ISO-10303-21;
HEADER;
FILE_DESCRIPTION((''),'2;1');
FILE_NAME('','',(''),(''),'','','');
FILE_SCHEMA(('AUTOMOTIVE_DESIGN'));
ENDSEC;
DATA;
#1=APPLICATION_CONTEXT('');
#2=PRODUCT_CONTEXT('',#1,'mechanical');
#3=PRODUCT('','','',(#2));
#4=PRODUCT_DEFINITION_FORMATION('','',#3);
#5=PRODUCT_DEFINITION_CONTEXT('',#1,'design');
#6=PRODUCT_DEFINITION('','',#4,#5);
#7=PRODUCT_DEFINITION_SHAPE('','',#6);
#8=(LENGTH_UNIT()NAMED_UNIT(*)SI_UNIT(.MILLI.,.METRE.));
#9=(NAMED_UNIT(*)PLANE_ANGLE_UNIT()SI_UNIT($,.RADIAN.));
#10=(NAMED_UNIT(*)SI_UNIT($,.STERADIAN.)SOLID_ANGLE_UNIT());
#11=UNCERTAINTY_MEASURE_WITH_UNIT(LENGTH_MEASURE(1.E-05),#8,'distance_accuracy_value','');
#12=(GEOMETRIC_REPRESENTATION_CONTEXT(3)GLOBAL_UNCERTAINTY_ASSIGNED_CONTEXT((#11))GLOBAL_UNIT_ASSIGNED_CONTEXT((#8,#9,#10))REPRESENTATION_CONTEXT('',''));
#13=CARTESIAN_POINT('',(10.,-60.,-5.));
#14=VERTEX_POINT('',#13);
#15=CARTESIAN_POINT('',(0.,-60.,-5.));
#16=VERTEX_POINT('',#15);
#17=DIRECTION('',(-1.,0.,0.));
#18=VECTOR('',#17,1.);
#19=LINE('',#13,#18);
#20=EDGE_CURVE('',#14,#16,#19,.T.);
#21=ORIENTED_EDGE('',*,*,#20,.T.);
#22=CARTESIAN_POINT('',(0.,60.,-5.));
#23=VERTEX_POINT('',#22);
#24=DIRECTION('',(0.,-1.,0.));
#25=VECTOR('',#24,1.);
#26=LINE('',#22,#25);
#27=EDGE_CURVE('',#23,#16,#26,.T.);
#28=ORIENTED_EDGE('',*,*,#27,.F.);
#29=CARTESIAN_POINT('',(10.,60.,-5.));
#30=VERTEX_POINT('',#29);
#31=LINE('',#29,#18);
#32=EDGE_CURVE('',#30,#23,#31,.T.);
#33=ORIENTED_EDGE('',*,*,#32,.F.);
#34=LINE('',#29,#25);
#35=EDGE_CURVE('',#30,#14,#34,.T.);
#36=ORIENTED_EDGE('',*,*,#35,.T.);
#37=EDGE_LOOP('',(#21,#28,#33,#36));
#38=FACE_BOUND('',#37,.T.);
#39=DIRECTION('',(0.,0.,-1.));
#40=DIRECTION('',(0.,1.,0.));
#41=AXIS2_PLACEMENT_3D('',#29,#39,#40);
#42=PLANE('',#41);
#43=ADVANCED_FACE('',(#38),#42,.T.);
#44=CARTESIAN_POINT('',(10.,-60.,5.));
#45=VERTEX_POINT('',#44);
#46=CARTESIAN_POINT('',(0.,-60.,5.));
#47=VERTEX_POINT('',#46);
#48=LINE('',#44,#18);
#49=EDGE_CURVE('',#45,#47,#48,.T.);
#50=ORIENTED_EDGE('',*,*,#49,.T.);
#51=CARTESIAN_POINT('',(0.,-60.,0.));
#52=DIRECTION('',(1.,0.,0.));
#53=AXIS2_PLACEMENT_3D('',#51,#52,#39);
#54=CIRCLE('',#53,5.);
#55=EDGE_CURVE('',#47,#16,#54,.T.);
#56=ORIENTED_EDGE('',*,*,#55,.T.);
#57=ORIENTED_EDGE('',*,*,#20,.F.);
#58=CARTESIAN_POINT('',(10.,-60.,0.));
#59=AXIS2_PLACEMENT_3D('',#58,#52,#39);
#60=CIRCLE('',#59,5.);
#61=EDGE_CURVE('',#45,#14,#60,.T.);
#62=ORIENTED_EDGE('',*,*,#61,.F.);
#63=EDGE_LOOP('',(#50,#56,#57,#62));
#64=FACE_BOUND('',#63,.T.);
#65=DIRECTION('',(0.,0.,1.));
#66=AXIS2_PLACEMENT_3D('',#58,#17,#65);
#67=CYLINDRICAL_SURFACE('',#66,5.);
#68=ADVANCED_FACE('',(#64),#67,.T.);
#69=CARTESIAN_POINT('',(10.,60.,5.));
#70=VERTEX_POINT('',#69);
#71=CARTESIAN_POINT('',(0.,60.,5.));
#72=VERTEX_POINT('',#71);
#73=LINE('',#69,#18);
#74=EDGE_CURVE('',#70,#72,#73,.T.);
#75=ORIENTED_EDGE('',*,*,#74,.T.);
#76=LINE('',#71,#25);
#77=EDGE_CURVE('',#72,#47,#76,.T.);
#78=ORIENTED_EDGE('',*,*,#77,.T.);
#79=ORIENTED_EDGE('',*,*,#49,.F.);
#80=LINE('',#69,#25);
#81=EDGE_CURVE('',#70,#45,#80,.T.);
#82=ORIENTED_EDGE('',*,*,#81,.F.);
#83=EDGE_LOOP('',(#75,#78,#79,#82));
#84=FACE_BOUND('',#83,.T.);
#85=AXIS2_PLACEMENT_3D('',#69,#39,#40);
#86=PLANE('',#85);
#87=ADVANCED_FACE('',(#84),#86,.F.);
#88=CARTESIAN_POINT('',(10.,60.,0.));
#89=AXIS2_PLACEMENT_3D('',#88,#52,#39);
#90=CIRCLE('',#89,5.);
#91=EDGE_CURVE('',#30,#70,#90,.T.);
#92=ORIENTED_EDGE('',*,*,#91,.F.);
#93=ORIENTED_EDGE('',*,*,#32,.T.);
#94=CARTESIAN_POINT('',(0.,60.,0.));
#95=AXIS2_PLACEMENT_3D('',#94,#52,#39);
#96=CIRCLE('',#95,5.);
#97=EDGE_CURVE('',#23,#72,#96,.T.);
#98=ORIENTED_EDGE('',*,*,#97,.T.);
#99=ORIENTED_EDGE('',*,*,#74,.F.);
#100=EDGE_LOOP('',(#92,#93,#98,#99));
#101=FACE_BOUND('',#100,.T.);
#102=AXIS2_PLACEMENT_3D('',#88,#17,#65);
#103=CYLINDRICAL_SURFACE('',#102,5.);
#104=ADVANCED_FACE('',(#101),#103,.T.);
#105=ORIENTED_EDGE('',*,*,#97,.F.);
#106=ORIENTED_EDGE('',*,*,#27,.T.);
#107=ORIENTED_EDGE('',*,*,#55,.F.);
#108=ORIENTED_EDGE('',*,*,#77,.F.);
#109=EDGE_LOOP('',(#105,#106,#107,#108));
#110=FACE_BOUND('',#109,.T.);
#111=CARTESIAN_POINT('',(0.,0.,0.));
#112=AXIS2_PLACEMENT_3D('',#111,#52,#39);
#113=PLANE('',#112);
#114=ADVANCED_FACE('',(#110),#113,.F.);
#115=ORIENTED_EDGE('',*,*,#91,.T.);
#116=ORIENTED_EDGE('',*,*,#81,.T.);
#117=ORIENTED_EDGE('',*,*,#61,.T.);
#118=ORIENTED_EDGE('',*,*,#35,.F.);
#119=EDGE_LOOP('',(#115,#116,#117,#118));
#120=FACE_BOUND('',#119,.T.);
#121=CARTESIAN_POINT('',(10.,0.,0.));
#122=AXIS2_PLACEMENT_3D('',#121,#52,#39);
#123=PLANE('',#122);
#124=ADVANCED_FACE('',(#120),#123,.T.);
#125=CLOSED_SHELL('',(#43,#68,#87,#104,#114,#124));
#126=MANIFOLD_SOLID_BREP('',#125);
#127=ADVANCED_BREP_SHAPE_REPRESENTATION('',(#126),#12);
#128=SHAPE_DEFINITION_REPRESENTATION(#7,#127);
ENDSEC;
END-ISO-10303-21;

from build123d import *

# Parameters (mm, degrees)
SKETCH_1_R      = 5
SKETCH_1_W      = 10
SKETCH_1_H      = 120
EXTRUDE_1_DEPTH = 10


with BuildPart() as part:
    # 草图1 → 凸台-拉伸1 (new body)
    with BuildSketch(Plane(origin=(0, 0, 0), x_dir=(0, 0, -1), z_dir=(1, 0, 0))):
        with Locations((0, 60)):
            Circle(SKETCH_1_R)
        with Locations((0, -60)):
            Circle(SKETCH_1_R)
        Rectangle(SKETCH_1_W, SKETCH_1_H)
    extrude(amount=EXTRUDE_1_DEPTH)


solid = part.part
